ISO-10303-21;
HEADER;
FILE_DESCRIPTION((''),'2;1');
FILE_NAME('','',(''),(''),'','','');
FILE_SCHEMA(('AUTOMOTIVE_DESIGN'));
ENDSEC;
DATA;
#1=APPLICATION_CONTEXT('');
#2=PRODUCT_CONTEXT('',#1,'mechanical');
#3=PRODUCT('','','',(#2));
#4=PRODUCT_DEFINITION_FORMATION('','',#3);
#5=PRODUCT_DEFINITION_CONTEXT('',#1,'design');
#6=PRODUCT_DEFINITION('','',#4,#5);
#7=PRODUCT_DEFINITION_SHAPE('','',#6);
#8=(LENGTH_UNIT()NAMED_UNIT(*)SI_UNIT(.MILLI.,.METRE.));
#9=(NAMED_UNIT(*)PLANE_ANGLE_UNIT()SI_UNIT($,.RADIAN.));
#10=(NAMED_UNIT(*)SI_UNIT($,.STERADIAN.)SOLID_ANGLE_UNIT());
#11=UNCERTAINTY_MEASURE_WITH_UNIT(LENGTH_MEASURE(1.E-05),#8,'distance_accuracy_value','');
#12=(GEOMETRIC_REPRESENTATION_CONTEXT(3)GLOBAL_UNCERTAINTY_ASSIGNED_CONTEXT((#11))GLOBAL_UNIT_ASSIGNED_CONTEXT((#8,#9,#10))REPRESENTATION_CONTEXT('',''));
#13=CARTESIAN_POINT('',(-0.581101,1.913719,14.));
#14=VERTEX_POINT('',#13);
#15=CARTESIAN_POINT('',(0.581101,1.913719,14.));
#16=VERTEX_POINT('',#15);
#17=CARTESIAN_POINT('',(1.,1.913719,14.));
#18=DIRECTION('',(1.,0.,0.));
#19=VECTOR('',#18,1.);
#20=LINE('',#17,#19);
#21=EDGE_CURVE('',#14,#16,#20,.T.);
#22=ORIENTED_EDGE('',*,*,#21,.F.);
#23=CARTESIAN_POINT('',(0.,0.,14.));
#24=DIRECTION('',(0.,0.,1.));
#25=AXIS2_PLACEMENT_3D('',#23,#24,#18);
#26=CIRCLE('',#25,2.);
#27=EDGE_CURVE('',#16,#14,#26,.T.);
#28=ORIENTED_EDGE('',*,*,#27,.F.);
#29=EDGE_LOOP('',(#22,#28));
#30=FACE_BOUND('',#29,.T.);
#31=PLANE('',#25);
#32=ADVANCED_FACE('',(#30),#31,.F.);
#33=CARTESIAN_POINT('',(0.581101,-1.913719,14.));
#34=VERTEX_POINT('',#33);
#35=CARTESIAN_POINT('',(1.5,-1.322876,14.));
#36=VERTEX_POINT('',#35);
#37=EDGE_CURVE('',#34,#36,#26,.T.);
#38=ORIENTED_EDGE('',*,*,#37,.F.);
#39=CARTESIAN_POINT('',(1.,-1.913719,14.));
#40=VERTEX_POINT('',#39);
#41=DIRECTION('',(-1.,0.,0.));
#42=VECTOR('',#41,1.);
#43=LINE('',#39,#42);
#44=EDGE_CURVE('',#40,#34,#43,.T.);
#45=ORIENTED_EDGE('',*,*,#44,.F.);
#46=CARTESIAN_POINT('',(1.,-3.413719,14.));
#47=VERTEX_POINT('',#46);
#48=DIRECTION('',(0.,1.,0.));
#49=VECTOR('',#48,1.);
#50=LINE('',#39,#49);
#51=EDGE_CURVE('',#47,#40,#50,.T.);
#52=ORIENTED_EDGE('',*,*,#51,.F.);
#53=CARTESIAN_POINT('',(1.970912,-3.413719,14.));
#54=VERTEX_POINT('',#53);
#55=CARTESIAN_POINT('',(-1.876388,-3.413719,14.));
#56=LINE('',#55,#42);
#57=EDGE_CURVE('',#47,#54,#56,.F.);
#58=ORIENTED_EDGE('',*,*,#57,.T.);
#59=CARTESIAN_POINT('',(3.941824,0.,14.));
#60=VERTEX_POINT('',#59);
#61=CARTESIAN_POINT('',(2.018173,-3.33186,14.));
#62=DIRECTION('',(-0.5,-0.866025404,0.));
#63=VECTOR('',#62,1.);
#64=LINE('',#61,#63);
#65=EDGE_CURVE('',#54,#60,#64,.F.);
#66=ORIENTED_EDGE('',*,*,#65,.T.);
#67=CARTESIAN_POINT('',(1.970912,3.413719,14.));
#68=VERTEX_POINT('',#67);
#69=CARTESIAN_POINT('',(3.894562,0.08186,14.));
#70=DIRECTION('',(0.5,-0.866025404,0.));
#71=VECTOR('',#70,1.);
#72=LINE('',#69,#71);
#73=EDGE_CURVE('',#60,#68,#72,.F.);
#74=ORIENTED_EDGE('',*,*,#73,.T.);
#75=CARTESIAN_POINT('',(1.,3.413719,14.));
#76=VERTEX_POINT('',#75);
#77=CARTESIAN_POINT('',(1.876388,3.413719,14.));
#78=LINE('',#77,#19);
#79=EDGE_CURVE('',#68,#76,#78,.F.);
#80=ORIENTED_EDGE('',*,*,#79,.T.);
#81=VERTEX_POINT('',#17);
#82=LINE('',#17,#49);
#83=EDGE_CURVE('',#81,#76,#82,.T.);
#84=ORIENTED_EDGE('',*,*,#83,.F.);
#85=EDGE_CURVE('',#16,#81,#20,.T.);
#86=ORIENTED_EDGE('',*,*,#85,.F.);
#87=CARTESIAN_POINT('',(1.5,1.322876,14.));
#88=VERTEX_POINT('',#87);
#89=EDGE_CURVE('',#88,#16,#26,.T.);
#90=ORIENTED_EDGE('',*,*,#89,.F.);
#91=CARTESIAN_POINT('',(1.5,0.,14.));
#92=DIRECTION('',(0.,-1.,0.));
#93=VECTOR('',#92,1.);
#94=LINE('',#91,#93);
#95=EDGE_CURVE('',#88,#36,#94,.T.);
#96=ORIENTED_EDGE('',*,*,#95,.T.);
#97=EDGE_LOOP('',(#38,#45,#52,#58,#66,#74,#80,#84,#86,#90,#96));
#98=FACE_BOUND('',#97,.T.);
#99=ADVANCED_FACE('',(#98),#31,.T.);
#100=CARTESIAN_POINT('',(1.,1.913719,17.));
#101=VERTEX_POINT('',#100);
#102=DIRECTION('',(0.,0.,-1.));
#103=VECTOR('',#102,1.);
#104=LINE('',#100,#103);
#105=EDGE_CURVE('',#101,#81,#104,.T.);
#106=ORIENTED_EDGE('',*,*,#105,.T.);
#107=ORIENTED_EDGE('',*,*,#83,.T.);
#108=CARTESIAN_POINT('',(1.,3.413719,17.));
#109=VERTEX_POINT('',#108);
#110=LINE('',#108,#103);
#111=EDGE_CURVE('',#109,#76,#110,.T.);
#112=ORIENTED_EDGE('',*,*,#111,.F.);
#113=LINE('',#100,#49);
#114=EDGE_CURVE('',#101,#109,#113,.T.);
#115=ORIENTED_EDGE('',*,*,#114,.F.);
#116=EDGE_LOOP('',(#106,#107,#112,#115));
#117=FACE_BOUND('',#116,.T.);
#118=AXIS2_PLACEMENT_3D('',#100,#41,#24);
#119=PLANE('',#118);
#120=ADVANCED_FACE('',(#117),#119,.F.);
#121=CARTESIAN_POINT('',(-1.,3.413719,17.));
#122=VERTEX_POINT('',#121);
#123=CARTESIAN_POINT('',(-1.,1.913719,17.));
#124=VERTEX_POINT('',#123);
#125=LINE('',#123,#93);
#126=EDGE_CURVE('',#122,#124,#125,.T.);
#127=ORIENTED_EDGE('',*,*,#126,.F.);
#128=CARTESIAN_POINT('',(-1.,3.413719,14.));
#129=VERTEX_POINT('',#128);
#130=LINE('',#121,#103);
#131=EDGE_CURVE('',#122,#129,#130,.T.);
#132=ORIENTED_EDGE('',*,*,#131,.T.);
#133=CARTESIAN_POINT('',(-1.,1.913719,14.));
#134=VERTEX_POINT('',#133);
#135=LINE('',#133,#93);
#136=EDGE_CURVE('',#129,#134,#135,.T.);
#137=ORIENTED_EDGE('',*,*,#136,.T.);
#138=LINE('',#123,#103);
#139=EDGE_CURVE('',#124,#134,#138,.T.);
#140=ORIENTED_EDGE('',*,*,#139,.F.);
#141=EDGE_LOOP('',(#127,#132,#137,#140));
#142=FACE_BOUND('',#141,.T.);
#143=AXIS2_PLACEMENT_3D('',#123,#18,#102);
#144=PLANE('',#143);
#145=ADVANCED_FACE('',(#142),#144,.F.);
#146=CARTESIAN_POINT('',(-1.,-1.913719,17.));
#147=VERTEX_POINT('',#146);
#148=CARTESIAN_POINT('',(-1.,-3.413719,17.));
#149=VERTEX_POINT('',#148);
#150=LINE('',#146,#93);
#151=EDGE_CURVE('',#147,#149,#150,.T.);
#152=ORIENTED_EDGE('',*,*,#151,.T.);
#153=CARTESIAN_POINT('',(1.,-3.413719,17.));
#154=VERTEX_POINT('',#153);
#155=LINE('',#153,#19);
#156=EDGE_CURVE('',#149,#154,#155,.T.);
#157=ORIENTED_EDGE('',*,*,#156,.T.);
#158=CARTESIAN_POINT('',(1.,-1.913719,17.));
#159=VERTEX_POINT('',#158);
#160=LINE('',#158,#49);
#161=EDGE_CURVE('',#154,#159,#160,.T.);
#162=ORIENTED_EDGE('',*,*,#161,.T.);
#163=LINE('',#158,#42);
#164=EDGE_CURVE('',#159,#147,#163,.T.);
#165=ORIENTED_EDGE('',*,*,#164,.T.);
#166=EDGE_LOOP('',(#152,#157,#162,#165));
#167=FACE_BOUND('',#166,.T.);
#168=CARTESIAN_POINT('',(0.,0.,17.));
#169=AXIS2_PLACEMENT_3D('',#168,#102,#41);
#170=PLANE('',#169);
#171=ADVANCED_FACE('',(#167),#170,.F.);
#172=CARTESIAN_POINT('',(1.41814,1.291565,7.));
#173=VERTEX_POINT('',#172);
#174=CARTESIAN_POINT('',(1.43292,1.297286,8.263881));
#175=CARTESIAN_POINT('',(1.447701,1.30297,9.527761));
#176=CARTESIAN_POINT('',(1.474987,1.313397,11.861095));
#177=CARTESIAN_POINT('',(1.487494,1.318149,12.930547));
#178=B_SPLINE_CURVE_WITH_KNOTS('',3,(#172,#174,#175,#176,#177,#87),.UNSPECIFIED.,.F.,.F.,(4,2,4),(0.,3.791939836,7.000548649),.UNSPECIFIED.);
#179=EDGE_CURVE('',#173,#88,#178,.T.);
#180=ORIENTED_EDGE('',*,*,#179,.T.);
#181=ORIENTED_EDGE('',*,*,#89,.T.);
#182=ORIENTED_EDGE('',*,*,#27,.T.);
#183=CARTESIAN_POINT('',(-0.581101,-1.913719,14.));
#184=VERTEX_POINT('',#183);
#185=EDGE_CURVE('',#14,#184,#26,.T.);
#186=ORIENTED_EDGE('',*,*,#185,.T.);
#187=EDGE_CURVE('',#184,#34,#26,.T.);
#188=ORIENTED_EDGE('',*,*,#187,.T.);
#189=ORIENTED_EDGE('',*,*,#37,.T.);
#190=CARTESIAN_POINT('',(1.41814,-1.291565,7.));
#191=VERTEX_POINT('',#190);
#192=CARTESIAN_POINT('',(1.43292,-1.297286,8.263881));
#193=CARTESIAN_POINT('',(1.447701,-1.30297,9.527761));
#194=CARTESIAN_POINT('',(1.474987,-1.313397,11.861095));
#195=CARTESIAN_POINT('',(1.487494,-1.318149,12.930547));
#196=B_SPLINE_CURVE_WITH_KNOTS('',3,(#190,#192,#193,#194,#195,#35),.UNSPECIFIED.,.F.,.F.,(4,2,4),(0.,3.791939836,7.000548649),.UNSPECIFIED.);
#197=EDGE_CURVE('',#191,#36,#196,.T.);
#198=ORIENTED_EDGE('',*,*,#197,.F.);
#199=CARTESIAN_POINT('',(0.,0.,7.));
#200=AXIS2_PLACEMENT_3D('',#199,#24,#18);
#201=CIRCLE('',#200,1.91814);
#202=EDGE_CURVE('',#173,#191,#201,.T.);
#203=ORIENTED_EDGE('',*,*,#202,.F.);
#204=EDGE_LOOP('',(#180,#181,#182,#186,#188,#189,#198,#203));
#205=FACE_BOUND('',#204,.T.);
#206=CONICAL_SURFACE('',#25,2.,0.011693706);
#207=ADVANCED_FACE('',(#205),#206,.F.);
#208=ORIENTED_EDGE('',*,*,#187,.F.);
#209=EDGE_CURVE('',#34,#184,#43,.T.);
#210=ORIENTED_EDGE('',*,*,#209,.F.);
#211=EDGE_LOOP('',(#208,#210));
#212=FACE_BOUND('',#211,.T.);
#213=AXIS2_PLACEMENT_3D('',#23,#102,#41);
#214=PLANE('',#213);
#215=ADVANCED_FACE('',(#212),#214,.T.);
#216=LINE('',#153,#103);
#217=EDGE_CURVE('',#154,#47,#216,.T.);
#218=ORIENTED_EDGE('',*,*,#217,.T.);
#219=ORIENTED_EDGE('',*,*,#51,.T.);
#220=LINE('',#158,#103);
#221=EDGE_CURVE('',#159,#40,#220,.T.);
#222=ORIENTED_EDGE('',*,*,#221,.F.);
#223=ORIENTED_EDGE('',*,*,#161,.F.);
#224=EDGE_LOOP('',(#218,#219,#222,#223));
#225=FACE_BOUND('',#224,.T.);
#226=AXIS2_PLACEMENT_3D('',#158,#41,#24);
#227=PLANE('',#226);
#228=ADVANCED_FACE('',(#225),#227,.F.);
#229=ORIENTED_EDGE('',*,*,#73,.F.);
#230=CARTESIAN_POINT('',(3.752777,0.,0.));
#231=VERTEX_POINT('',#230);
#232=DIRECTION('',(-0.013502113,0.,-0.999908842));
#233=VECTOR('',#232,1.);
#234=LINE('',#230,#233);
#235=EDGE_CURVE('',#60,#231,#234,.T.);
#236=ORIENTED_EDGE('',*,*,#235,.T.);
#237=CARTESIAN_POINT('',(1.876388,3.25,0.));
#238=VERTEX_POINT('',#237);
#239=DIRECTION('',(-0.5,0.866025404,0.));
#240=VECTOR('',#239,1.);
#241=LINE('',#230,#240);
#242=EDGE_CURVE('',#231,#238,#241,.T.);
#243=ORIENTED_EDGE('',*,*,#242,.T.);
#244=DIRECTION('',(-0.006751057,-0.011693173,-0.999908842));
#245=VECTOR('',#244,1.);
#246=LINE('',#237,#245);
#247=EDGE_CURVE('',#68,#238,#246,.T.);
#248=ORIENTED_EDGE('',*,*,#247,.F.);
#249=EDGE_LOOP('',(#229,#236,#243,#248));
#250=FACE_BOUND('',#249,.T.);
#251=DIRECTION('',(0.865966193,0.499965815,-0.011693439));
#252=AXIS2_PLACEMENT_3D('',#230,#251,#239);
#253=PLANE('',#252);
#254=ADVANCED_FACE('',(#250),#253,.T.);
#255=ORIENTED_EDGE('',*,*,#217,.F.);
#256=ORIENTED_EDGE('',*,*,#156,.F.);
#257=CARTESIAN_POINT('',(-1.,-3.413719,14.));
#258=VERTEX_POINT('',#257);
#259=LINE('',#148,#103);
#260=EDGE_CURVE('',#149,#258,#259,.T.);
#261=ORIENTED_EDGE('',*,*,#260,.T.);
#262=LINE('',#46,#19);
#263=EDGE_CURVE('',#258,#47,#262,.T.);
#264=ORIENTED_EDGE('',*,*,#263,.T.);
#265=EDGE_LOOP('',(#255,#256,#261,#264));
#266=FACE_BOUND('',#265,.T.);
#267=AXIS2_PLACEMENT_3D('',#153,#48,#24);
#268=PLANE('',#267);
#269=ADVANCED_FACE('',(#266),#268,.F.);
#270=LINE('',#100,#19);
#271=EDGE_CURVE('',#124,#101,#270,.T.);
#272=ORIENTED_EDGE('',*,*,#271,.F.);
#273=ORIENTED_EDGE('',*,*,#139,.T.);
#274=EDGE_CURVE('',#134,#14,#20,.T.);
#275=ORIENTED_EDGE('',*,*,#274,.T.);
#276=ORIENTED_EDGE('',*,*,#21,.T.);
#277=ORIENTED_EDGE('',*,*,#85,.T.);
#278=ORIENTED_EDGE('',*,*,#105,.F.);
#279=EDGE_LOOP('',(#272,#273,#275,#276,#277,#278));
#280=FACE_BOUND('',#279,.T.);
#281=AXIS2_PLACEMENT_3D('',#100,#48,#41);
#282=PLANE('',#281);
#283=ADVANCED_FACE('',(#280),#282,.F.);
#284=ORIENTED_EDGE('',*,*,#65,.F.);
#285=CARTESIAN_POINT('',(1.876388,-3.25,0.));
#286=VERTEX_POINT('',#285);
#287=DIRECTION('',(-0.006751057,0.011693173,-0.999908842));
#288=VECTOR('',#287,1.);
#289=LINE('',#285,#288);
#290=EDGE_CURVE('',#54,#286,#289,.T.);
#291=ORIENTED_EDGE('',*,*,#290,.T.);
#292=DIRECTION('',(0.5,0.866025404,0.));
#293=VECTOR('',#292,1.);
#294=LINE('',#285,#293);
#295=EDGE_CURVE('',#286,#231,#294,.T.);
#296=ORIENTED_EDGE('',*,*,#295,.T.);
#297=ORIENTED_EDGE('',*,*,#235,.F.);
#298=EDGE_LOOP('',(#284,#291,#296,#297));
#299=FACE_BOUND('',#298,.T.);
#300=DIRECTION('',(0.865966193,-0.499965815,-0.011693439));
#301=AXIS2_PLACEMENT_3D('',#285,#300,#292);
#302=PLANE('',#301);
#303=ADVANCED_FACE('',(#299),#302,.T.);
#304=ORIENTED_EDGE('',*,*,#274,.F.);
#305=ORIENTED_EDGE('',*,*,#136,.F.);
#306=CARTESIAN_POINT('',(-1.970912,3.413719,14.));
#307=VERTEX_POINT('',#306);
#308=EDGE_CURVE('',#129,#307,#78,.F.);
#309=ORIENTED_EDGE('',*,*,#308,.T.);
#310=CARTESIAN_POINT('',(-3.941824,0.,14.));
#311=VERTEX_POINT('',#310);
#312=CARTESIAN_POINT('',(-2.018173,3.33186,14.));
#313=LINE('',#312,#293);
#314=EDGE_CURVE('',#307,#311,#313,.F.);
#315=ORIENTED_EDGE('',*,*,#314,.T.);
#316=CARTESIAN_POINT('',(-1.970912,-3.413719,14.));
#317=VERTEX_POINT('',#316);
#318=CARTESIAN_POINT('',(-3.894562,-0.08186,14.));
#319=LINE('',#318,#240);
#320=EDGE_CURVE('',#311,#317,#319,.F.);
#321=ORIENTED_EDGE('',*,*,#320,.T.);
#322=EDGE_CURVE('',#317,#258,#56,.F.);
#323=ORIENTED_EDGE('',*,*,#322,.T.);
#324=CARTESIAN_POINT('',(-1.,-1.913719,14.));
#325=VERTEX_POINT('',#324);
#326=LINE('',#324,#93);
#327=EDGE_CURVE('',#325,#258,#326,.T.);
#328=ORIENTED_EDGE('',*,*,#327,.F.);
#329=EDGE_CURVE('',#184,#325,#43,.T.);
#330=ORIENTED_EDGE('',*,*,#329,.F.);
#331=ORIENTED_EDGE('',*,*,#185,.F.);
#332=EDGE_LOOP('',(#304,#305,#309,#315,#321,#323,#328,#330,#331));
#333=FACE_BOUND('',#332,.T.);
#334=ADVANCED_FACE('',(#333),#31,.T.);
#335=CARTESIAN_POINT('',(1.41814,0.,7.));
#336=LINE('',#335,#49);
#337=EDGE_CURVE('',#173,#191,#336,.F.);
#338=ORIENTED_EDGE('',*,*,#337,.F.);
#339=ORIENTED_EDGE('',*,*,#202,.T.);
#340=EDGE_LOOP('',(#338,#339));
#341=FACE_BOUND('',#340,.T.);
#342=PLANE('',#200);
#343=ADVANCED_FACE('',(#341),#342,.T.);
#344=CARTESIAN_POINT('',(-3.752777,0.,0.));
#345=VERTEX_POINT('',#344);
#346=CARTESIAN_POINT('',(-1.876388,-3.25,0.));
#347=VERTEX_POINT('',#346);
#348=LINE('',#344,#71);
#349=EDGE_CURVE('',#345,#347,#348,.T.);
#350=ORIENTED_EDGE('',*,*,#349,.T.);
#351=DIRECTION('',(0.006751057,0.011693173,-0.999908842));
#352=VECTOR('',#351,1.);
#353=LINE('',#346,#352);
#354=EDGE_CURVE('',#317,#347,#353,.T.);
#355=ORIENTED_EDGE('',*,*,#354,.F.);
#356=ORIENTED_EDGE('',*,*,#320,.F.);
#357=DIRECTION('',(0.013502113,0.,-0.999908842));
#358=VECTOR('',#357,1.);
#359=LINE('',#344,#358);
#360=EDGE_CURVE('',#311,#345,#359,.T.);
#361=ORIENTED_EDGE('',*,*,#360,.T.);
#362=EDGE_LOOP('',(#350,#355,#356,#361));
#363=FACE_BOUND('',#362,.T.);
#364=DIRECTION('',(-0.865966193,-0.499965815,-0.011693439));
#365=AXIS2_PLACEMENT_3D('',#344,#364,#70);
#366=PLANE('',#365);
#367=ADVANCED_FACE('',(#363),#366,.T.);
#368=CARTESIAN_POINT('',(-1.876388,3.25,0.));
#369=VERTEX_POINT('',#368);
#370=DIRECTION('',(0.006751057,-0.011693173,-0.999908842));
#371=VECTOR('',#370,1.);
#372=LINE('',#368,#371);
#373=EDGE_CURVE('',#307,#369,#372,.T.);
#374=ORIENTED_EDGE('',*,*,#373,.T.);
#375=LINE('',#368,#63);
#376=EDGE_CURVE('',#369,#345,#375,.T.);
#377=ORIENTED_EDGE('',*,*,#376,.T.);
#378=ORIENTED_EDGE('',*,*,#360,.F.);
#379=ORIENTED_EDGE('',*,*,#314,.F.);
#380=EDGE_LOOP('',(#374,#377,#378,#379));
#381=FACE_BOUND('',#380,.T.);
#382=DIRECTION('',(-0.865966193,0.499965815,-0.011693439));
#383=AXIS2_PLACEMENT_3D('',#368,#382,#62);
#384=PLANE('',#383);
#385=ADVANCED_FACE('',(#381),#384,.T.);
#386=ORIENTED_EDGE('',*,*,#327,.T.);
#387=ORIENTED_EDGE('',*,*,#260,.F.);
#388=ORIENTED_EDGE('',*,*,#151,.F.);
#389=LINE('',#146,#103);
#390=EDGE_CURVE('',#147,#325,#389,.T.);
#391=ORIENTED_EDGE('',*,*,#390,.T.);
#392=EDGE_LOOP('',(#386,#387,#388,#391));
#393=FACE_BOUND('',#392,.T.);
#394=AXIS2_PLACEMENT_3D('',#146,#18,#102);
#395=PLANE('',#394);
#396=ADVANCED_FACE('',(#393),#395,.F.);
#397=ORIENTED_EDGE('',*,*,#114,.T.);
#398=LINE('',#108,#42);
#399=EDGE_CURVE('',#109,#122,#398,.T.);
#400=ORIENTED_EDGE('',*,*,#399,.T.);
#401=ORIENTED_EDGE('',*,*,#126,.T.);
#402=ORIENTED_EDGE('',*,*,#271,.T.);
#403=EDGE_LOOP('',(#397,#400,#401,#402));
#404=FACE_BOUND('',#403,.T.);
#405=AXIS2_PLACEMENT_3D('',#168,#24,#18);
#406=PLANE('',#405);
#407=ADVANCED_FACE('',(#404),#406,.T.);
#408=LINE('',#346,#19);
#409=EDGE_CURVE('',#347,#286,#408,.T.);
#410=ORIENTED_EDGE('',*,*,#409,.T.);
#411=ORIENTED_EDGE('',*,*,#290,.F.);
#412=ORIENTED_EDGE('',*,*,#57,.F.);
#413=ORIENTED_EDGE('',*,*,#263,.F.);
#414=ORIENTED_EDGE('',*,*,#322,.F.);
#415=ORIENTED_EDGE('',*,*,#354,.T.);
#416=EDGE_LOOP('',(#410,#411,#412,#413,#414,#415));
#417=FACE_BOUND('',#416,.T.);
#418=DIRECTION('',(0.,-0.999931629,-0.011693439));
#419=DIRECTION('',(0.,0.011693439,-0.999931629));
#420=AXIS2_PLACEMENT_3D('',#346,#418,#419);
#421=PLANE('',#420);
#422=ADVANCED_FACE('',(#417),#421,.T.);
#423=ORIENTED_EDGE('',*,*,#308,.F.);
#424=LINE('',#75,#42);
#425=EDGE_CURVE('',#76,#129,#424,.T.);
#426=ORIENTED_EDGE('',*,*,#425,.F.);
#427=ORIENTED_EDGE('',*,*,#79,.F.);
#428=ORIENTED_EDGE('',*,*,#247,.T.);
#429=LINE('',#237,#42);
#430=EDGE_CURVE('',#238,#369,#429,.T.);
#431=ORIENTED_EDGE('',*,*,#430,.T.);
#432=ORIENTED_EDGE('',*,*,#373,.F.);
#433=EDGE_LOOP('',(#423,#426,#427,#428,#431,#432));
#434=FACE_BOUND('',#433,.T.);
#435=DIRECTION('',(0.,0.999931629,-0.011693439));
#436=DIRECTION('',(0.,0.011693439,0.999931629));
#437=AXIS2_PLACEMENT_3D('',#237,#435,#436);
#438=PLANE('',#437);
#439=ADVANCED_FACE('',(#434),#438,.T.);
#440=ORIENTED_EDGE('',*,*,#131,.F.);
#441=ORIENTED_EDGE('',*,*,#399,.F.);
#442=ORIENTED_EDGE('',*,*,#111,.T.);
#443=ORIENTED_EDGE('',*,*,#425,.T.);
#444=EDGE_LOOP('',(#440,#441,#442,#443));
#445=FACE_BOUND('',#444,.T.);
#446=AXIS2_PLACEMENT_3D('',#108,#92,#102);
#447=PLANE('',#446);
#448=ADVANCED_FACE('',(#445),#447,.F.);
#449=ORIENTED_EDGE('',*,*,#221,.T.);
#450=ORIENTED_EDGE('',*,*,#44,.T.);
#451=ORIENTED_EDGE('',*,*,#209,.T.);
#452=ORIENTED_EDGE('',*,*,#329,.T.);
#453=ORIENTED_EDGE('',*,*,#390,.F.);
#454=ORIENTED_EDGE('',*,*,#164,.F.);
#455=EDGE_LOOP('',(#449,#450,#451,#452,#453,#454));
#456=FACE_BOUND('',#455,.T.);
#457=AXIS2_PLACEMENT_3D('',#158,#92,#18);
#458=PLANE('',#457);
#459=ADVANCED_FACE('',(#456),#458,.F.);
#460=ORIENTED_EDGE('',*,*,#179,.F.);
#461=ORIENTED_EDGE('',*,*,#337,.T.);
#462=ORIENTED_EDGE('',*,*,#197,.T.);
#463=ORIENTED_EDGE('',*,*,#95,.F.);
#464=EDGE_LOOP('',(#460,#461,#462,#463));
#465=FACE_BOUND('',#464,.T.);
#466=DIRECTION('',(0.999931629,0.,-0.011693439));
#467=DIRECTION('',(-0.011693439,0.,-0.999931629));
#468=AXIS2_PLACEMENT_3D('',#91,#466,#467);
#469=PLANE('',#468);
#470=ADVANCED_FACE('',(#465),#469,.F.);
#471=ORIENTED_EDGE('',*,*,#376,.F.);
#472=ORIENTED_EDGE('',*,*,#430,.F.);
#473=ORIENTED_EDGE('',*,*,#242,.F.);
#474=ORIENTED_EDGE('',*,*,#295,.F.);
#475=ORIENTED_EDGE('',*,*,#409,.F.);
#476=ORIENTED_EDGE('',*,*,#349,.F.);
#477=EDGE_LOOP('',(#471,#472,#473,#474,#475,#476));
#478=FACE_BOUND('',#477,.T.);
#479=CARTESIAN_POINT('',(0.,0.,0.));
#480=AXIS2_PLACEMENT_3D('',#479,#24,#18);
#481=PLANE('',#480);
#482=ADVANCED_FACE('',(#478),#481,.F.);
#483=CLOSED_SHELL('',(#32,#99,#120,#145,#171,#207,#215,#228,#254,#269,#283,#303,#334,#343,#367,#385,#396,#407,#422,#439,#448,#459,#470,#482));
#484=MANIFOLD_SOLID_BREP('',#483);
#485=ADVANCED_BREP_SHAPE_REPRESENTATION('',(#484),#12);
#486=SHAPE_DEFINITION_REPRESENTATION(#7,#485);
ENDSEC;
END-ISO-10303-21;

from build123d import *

# Parameters (mm, degrees)
EXTRUDE_1_DEPTH     = 14
EXTRUDE_1_DRAFT     = -0.67
CUT_EXTRUDE_1_DEPTH = 7
CUT_EXTRUDE_1_TAPER = 0.67
SKETCH_3_W          = 2
SKETCH_3_H          = 1.5
EXTRUDE_2_DEPTH     = 3


with BuildPart() as part:
    # 草图1 → 凸台-拉伸1 (with draft: the straight prism first)
    with BuildSketch(Plane.XY):
        Polygon((1.876388375, 3.25), (-1.876388375, 3.25), (-3.75277675, 0), (-1.876388375, -3.25), (1.876388375, -3.25), (3.75277675, 0), align=None)
    extrude(amount=EXTRUDE_1_DEPTH)
    # 凸台-拉伸1: the draft: its side faces are tilted about the plane it starts from
    extrude_1_sides = [part.faces().sort_by_distance(p)[0] for p in [
        (0, 3.25, 7),
        (-2.814582562, 1.625, 7),
        (-2.814582562, -1.625, 7),
        (0, -3.25, 7),
        (2.814582562, -1.625, 7),
        (2.814582562, 1.625, 7),
    ]]
    draft(extrude_1_sides, Plane.XY, EXTRUDE_1_DRAFT)

    # 草图2 → 切除-拉伸1 (cut)
    with BuildSketch(Plane.XY.offset(14)):
        with BuildLine():
            Line((1.5, -1.322875656), (1.5, 1.322875656))
            ThreePointArc((1.5, 1.322875656), (-2, 0), (1.5, -1.322875656))
        make_face()
    extrude(amount=-CUT_EXTRUDE_1_DEPTH, taper=CUT_EXTRUDE_1_TAPER, mode=Mode.SUBTRACT)

    # 草图3 → 凸台-拉伸2 (add)
    with BuildSketch(Plane.XY.offset(14)):
        with Locations((0, 2.663719346)):
            Rectangle(SKETCH_3_W, SKETCH_3_H)
        with Locations((0, -2.663719346)):
            Rectangle(SKETCH_3_W, SKETCH_3_H)
    extrude(amount=EXTRUDE_2_DEPTH)


solid = part.part
